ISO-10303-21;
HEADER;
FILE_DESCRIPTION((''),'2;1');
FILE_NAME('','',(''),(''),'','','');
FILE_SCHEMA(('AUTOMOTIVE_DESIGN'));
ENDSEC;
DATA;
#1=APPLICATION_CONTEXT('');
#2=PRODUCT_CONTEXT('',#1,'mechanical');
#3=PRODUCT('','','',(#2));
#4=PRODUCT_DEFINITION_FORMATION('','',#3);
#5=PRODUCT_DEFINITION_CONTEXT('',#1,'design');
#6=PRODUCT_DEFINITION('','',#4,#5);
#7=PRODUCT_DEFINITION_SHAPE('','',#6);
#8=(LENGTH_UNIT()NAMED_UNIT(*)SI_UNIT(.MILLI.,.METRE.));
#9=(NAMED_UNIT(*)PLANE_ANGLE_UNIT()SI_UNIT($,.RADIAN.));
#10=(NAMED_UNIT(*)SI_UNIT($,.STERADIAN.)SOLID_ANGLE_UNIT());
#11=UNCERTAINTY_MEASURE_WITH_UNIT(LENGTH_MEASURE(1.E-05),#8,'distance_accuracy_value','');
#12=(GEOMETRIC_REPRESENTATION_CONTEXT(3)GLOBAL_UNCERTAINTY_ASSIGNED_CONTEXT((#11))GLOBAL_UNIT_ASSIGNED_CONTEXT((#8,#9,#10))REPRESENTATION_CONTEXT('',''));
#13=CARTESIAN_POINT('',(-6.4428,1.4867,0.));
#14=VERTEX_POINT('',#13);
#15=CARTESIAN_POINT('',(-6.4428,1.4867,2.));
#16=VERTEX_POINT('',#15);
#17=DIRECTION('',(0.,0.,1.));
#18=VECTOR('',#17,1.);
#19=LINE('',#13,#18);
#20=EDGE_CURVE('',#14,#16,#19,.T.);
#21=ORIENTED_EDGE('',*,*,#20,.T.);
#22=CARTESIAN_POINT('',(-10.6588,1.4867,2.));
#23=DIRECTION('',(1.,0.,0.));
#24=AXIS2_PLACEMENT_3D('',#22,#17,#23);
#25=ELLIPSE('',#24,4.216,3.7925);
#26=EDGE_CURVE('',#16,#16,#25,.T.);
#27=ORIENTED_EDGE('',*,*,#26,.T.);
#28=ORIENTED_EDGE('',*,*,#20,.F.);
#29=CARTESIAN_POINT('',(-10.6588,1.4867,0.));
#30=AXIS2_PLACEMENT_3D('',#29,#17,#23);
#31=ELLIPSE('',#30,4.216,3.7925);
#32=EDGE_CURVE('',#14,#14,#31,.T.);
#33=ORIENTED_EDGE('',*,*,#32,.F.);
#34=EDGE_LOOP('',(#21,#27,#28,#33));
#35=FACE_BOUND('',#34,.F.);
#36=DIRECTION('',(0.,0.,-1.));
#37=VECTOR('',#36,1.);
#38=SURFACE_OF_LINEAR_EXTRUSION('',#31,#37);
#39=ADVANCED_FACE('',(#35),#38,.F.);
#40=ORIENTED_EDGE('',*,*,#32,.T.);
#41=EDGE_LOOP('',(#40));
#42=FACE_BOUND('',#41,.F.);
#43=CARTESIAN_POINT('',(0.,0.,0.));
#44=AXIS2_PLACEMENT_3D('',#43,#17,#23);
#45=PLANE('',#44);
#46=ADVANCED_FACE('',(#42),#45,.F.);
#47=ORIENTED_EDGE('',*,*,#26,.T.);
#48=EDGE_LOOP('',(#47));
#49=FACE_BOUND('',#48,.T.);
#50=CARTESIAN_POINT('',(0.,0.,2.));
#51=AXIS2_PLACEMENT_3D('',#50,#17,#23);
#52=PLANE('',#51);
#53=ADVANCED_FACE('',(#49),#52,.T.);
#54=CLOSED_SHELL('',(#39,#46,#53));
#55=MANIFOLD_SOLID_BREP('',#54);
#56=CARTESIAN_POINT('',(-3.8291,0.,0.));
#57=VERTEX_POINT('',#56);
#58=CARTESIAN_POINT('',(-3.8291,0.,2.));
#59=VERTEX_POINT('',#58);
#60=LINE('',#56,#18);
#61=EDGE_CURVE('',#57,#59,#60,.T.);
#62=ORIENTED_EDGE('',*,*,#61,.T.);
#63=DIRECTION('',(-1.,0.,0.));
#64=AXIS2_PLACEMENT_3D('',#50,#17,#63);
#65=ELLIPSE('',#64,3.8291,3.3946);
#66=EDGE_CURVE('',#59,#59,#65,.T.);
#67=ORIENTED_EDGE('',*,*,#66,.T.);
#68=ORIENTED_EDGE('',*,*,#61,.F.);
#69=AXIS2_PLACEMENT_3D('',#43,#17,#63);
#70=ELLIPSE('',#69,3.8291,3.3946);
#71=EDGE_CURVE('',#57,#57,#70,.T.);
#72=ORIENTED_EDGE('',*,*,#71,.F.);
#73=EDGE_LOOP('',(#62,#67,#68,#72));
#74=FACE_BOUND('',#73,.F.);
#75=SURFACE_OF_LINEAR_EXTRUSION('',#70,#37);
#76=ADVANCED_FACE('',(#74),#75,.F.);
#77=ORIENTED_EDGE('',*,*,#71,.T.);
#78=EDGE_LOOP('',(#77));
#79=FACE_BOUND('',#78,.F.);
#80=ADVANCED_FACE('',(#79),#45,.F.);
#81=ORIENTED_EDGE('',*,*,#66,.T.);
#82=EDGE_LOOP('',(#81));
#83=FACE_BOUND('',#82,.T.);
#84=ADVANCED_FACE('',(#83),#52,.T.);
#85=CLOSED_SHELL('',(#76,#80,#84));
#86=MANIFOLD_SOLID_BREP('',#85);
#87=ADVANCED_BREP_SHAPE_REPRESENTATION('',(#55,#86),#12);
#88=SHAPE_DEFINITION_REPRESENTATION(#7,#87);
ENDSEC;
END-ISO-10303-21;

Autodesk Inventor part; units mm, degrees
ref_plane "YZ Plane" through (0, 0, 0) normal (1, 0, 0) x (0, 1, 0)
ref_plane "XZ Plane" through (0, 0, 0) normal (0, 1, 0) x (-1, 0, 0)
ref_plane "XY Plane" through (0, 0, 0) normal (0, 0, 1) x (1, 0, 0)
sketch "Sketch1" plane through (0, 0, 0) normal (0, 0, 1) x (1, 0, 0)
  arc A0 (-0.9046, 4.9369) -> (-5.1014, 1.0558) centre (0, -0.2509) ccw projected
  ellipse E0 centre (-9.8648, 1.4867) end of major axis (-14.6282, 1.9177) minor radius 4.1297 (-5.2276, 0.3848) -> (-5.1014, 1.0558) ccw projected
  arc A1 (-5.1014, 1.0558) -> (-5.2276, 0.3848) centre (0, -0.2509) ccw projected
  ellipse E1 centre (-9.8648, 1.4867) end of major axis (-5.1014, 1.0558) minor radius 4.1297 (-5.1014, 1.0558) -> (-7.337, 4.9369) ccw projected
  line L0 (-0.9046, 4.9369) -> (-7.337, 4.9369) projected
  arc A2 (-59.5755, 4.9369) -> (-60.9121, 2.898) centre (-42.2911, -7.8518) ccw projected
  spline S0 degree 3 poles (-56.8976, 1.1787) (-56.9052, 1.1498) (-56.9132, 1.121) (-57.0437, 0.6744) (-57.2476, 0.2806) (-57.7298, -0.3295) (-57.9833, -0.5662) (-58.5274, -0.9213) (-58.8121, -1.0494) (-59.3678, -1.1788) (-59.635, -1.195) (-60.058, -1.1328) (-60.2177, -1.0876) (-60.3681, -1.0211) (-60.6523, -0.8955) (-60.9006, -0.6925) (-61.1923, -0.3032) (-61.2786, -0.1486) (-61.5034, 0.3943) (-61.5565, 0.8142) (-61.4866, 1.7511) (-61.3117, 2.265) (-60.9956, 2.7766) (-60.9549, 2.838) (-60.9121, 2.898) knots -2.04297 -2.04297 -2.04297 -2.04297 -2.033998 -2.033998 -1.903383 -1.903383 -1.8007 -1.8007 -1.70847 -1.70847 -1.629539 -1.629539 -1.580207 -1.580207 -1.580207 -1.486994 -1.486994 -1.434286 -1.434286 -1.31073 -1.31073 -1.152429 -1.152429 -1.130329 -1.130329 -1.130329 -1.130329 projected
  arc A3 (-54.0351, 4.9369) -> (-56.8976, 1.1787) centre (-49.1589, -1.7464) ccw projected
  line L1 (-48.7905, 4.9369) -> (-54.0351, 4.9369) projected
  arc A4 (-48.7905, 4.9369) -> (-44.3601, 1.1398) centre (-35.3577, 16.1268) ccw projected
  arc A5 (-44.3601, 1.1398) -> (-53.317, -6.887) centre (-40.9405, -11.6869) ccw projected
  arc A6 (-53.317, -6.887) -> (-55.157, -23.9352) centre (-25.4946, -18.5133) ccw projected
  arc A7 (-55.157, -23.9352) -> (-62.1701, -35.1777) centre (-44.1446, -38.6133) ccw projected
  arc A8 (-62.1701, -35.1777) -> (-48.8402, -39.4479) centre (-51.2446, -24.0133) ccw projected
  arc A9 (-48.8402, -39.4479) -> (-3.2686, -48.1109) centre (-20.7238, -15.7377) ccw projected
  arc A10 (-3.2686, -48.1109) -> (9.8317, -48.8006) centre (4.081, -33.2699) ccw projected
  arc A11 (9.8317, -48.8006) -> (7.0355, -38.6809) centre (-4.7854, -47.3934) ccw projected
  arc A12 (7.0355, -38.6809) -> (9.7106, -25.1352) centre (-12.1725, -27.8505) ccw projected
  arc A13 (9.7106, -25.1352) -> (3.1866, -3.0874) centre (0, -16.0194) ccw projected
  arc A14 (3.1866, -3.0874) -> (0.8135, 3.9369) centre (0, -0.2509) ccw projected
  line L2 (0.8135, 3.9369) -> (2.1928, 3.9369) projected
  arc A15 (3.1928, 4.9369) -> (2.1928, 3.9369) centre (3.1928, 3.9369) ccw projected
  line L3 (70.356, 4.9369) -> (3.1928, 4.9369) projected
  line L4 (70.356, 12.9385) -> (70.356, 4.9369) projected
  line L5 (-61.4202, 12.9385) -> (70.356, 12.9385) projected
  arc A16 (-63.4202, 14.9385) -> (-61.4202, 12.9385) centre (-61.4202, 14.9385) ccw projected
  line L6 (-63.4202, 107.9369) -> (-63.4202, 14.9385) projected
  arc A17 (-61.4202, 109.9369) -> (-63.4202, 107.9369) centre (-61.4202, 107.9369) ccw projected
  line L7 (70.356, 109.9369) -> (-61.4202, 109.9369) projected
  line L8 (70.356, 117.9369) -> (70.356, 109.9369) projected
  line L9 (-66.8452, 117.9369) -> (70.356, 117.9369) projected
  arc A18 (-66.8452, 117.9369) -> (-70.8452, 113.9369) centre (-66.8452, 113.9369) ccw projected
  line L10 (-70.8452, 8.9369) -> (-70.8452, 113.9369) projected
  arc A19 (-70.8452, 8.9369) -> (-66.8452, 4.9369) centre (-66.8452, 8.9369) ccw projected
  line L11 (-59.5755, 4.9369) -> (-66.8452, 4.9369) projected
  ellipse E2 centre (-10.6588, 1.4867) end of major axis (-15.0966, 1.4867) minor radius 3.9921 projected
  ellipse E3 centre (-27.2446, -17.5631) end of major axis (-30.2446, -17.5631) minor radius 2.4928 projected
  arc A20 (-54.4264, -25.7115) -> (-49.8152, -37.5715) centre (85.6711, 21.9314) ccw projected
  arc A21 (-59.946, -34.3231) -> (-49.8152, -37.5715) centre (-49.2751, -18.4657) ccw projected
  arc A22 (-54.4264, -25.7115) -> (-59.946, -34.3231) centre (-41.409, -40.1296) ccw projected
  arc A23 (-5.6405, -20.531) -> (-7.2446, -21.5631) centre (-5.8688, -21.9389) ccw projected
  arc A24 (-7.2446, -21.5631) -> (-9.1707, -19.5887) centre (-10.2446, -22.5631) ccw projected
  ellipse E4 centre (-7.4005, -19.5631) end of major axis (-7.4005, -10.5631) minor radius 1.7702 (-5.6405, -20.531) -> (-9.1707, -19.5887) ccw projected
  circle A25 centre (1.7554, -24.0133) radius 2.7388 projected
  circle A26 centre (-20.2446, -22.5631) radius 2.8284 projected
  arc A27 (0.9328, -47.5617) -> (7.225, -41.7583) centre (-13.3979, -25.7115) ccw projected
  arc A28 (7.6831, -47.4803) -> (7.225, -41.7583) centre (-10.5104, -46.0577) ccw projected
  arc A29 (0.9328, -47.5617) -> (7.6831, -47.4803) centre (4.1217, -32.0801) ccw projected
  ellipse E5 centre (0, 0) end of major axis (4.0186, -0.2759) minor radius 3.5714 projected
  ellipse E6 centre (8.2115, -20.8216) end of major axis (5.68, -20.8216) minor radius 2.1289 projected
  ellipse E7 centre (-10.6588, 1.4867) end of major axis (-6.4428, 1.4867) minor radius 3.7925
  ellipse E8 centre (0, 0) end of major axis (0, 3.3946) minor radius 3.8291
extrude "Extrusion1" add sketch "Sketch1" along normal blind 2 contours E7 | E8
properties part number "HandsPeach"
